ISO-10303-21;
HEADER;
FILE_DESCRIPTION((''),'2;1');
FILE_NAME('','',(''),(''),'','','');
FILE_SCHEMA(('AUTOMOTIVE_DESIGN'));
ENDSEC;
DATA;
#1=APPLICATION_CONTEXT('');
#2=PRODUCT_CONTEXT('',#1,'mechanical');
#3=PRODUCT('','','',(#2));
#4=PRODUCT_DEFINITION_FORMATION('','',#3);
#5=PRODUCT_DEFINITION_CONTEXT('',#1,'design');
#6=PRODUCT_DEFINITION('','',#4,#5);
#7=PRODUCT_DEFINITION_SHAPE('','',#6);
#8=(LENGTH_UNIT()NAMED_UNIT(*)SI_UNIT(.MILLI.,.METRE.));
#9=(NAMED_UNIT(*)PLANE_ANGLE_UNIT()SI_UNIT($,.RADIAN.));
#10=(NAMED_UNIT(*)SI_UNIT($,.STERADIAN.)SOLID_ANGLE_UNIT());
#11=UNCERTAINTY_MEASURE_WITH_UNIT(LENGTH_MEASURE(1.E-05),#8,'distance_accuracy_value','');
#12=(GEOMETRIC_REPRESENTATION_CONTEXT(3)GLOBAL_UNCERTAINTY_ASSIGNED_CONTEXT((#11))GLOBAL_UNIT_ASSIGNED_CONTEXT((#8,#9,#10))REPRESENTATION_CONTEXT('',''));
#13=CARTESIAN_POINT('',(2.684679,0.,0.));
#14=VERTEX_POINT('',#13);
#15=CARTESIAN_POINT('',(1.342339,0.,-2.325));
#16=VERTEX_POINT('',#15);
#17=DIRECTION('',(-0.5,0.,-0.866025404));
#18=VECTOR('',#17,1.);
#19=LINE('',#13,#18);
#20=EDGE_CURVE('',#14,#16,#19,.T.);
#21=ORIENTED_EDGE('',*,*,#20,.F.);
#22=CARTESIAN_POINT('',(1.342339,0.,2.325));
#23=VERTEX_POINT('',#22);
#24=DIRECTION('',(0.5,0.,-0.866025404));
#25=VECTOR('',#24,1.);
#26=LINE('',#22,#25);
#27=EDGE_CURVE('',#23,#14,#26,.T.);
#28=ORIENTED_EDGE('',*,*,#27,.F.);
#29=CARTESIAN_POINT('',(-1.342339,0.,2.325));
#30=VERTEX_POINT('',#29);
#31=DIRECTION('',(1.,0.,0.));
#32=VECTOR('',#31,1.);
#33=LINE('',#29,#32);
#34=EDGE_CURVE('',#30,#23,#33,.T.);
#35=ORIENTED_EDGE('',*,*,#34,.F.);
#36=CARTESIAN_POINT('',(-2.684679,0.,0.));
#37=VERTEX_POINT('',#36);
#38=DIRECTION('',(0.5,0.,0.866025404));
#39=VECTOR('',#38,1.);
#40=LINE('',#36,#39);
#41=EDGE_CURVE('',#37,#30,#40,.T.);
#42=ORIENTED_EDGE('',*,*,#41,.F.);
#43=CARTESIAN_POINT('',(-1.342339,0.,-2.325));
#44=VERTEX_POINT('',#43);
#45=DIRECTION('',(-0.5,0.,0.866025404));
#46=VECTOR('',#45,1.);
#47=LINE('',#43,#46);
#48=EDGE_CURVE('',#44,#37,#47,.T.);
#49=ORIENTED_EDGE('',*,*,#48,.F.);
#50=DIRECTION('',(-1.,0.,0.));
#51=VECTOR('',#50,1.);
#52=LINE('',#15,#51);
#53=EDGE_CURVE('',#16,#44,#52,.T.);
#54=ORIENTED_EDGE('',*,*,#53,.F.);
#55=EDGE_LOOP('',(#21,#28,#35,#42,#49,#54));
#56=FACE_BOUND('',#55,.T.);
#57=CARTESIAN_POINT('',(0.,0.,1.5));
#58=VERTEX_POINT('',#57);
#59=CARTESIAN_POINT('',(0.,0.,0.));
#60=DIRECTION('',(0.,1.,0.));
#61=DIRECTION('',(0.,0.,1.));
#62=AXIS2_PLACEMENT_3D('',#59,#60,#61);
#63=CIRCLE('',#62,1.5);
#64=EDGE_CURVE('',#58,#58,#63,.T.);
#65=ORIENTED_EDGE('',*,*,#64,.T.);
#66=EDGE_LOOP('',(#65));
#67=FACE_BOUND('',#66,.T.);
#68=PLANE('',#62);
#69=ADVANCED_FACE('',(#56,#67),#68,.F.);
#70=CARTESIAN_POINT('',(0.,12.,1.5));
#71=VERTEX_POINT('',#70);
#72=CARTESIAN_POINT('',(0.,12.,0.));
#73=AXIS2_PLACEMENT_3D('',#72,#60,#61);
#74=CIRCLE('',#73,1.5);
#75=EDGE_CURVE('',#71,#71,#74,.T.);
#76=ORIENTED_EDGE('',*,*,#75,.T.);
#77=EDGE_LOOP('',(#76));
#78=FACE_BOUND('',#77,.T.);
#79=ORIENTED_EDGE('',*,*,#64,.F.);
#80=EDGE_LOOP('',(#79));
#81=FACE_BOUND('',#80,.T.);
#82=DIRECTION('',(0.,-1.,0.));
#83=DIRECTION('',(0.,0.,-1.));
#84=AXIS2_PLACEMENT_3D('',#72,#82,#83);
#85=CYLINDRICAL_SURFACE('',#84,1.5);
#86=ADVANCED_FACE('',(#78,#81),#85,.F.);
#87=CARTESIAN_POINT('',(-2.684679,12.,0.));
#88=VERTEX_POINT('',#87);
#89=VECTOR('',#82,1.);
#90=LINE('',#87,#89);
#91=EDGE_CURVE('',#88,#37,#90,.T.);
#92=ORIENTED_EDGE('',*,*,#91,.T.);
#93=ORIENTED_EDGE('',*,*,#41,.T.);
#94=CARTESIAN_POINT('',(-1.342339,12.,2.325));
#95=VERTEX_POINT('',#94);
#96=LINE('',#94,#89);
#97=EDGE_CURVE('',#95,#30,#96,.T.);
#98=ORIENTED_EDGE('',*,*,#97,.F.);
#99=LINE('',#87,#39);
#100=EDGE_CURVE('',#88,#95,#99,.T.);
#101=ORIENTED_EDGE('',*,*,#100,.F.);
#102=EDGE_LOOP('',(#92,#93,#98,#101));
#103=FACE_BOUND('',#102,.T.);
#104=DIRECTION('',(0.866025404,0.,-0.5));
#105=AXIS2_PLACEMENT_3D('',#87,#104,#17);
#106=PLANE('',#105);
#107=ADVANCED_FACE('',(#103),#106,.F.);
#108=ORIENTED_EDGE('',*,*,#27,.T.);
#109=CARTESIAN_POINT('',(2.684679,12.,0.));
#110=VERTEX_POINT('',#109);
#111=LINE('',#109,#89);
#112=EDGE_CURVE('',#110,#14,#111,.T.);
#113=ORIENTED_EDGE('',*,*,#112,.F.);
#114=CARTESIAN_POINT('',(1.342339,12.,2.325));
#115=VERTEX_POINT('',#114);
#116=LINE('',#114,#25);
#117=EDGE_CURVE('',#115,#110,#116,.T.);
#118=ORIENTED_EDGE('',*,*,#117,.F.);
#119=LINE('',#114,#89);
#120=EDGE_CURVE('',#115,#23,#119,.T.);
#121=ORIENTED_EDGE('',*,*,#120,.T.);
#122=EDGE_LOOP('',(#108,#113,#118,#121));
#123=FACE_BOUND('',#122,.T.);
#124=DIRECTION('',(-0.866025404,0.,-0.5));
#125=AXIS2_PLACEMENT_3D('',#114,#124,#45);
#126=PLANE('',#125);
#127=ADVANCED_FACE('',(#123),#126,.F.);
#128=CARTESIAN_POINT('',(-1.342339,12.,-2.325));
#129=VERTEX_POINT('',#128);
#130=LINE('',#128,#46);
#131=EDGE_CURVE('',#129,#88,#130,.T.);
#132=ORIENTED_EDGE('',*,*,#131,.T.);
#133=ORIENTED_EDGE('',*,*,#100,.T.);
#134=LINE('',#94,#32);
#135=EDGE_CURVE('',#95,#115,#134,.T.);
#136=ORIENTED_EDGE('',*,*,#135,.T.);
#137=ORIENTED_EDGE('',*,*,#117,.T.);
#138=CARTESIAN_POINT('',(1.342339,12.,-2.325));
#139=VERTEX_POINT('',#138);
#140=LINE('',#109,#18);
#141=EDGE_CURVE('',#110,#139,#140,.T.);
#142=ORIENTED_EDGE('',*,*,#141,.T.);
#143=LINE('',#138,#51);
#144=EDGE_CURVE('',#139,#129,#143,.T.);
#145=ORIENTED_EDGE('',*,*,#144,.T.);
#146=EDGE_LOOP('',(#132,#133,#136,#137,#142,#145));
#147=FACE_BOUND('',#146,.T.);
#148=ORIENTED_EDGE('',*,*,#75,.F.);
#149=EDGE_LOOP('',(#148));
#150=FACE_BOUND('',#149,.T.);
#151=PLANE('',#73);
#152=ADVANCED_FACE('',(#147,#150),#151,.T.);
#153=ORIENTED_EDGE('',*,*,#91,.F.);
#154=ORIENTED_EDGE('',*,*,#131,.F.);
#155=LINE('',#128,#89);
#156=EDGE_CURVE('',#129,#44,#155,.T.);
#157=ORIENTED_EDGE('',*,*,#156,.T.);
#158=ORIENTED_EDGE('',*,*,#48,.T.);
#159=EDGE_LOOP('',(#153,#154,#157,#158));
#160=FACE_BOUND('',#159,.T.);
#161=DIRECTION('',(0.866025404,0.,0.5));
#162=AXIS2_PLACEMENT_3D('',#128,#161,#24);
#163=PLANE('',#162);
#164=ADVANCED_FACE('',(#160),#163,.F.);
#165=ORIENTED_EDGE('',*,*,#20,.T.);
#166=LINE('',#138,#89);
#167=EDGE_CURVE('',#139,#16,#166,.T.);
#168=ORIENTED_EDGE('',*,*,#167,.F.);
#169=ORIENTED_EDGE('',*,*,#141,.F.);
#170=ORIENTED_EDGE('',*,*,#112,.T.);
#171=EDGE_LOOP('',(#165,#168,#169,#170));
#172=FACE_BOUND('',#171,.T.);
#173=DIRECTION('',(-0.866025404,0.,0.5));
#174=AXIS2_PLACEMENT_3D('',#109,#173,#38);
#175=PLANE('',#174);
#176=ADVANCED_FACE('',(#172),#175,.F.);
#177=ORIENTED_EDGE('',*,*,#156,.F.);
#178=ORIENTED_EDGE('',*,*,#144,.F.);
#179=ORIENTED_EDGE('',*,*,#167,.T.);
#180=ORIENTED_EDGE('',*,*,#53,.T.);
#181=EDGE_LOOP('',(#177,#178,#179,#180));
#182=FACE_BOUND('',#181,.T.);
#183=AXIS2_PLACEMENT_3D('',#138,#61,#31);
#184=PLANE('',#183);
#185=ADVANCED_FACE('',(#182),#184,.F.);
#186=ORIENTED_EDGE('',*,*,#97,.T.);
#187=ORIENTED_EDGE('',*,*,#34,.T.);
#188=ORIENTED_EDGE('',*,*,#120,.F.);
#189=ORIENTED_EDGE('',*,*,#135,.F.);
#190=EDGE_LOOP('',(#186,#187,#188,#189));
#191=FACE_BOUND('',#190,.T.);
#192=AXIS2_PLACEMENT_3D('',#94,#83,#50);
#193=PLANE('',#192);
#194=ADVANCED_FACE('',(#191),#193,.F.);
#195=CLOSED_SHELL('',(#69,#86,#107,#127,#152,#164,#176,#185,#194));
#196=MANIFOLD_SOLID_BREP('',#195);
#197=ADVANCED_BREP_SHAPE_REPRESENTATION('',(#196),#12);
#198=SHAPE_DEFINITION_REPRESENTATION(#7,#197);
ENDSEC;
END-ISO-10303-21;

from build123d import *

# Parameters (mm, degrees)
SKETCH_1_R      = 1.5
EXTRUDE_1_DEPTH = 12


with BuildPart() as part:
    # 草图1 → 凸台-拉伸1 (new body)
    with BuildSketch(Plane(origin=(0, 0, 0), x_dir=(1, 0, 0), z_dir=(0, 1, 0))):
        Polygon((2.684678752, 0), (1.342339376, 2.325), (-1.342339376, 2.325), (-2.684678752, 0), (-1.342339376, -2.325), (1.342339376, -2.325), align=None)
        with Locations(Location((0, 0, 0), (0, 0, 270))):
            Circle(SKETCH_1_R, mode=Mode.SUBTRACT)
    extrude(amount=EXTRUDE_1_DEPTH)


solid = part.part
